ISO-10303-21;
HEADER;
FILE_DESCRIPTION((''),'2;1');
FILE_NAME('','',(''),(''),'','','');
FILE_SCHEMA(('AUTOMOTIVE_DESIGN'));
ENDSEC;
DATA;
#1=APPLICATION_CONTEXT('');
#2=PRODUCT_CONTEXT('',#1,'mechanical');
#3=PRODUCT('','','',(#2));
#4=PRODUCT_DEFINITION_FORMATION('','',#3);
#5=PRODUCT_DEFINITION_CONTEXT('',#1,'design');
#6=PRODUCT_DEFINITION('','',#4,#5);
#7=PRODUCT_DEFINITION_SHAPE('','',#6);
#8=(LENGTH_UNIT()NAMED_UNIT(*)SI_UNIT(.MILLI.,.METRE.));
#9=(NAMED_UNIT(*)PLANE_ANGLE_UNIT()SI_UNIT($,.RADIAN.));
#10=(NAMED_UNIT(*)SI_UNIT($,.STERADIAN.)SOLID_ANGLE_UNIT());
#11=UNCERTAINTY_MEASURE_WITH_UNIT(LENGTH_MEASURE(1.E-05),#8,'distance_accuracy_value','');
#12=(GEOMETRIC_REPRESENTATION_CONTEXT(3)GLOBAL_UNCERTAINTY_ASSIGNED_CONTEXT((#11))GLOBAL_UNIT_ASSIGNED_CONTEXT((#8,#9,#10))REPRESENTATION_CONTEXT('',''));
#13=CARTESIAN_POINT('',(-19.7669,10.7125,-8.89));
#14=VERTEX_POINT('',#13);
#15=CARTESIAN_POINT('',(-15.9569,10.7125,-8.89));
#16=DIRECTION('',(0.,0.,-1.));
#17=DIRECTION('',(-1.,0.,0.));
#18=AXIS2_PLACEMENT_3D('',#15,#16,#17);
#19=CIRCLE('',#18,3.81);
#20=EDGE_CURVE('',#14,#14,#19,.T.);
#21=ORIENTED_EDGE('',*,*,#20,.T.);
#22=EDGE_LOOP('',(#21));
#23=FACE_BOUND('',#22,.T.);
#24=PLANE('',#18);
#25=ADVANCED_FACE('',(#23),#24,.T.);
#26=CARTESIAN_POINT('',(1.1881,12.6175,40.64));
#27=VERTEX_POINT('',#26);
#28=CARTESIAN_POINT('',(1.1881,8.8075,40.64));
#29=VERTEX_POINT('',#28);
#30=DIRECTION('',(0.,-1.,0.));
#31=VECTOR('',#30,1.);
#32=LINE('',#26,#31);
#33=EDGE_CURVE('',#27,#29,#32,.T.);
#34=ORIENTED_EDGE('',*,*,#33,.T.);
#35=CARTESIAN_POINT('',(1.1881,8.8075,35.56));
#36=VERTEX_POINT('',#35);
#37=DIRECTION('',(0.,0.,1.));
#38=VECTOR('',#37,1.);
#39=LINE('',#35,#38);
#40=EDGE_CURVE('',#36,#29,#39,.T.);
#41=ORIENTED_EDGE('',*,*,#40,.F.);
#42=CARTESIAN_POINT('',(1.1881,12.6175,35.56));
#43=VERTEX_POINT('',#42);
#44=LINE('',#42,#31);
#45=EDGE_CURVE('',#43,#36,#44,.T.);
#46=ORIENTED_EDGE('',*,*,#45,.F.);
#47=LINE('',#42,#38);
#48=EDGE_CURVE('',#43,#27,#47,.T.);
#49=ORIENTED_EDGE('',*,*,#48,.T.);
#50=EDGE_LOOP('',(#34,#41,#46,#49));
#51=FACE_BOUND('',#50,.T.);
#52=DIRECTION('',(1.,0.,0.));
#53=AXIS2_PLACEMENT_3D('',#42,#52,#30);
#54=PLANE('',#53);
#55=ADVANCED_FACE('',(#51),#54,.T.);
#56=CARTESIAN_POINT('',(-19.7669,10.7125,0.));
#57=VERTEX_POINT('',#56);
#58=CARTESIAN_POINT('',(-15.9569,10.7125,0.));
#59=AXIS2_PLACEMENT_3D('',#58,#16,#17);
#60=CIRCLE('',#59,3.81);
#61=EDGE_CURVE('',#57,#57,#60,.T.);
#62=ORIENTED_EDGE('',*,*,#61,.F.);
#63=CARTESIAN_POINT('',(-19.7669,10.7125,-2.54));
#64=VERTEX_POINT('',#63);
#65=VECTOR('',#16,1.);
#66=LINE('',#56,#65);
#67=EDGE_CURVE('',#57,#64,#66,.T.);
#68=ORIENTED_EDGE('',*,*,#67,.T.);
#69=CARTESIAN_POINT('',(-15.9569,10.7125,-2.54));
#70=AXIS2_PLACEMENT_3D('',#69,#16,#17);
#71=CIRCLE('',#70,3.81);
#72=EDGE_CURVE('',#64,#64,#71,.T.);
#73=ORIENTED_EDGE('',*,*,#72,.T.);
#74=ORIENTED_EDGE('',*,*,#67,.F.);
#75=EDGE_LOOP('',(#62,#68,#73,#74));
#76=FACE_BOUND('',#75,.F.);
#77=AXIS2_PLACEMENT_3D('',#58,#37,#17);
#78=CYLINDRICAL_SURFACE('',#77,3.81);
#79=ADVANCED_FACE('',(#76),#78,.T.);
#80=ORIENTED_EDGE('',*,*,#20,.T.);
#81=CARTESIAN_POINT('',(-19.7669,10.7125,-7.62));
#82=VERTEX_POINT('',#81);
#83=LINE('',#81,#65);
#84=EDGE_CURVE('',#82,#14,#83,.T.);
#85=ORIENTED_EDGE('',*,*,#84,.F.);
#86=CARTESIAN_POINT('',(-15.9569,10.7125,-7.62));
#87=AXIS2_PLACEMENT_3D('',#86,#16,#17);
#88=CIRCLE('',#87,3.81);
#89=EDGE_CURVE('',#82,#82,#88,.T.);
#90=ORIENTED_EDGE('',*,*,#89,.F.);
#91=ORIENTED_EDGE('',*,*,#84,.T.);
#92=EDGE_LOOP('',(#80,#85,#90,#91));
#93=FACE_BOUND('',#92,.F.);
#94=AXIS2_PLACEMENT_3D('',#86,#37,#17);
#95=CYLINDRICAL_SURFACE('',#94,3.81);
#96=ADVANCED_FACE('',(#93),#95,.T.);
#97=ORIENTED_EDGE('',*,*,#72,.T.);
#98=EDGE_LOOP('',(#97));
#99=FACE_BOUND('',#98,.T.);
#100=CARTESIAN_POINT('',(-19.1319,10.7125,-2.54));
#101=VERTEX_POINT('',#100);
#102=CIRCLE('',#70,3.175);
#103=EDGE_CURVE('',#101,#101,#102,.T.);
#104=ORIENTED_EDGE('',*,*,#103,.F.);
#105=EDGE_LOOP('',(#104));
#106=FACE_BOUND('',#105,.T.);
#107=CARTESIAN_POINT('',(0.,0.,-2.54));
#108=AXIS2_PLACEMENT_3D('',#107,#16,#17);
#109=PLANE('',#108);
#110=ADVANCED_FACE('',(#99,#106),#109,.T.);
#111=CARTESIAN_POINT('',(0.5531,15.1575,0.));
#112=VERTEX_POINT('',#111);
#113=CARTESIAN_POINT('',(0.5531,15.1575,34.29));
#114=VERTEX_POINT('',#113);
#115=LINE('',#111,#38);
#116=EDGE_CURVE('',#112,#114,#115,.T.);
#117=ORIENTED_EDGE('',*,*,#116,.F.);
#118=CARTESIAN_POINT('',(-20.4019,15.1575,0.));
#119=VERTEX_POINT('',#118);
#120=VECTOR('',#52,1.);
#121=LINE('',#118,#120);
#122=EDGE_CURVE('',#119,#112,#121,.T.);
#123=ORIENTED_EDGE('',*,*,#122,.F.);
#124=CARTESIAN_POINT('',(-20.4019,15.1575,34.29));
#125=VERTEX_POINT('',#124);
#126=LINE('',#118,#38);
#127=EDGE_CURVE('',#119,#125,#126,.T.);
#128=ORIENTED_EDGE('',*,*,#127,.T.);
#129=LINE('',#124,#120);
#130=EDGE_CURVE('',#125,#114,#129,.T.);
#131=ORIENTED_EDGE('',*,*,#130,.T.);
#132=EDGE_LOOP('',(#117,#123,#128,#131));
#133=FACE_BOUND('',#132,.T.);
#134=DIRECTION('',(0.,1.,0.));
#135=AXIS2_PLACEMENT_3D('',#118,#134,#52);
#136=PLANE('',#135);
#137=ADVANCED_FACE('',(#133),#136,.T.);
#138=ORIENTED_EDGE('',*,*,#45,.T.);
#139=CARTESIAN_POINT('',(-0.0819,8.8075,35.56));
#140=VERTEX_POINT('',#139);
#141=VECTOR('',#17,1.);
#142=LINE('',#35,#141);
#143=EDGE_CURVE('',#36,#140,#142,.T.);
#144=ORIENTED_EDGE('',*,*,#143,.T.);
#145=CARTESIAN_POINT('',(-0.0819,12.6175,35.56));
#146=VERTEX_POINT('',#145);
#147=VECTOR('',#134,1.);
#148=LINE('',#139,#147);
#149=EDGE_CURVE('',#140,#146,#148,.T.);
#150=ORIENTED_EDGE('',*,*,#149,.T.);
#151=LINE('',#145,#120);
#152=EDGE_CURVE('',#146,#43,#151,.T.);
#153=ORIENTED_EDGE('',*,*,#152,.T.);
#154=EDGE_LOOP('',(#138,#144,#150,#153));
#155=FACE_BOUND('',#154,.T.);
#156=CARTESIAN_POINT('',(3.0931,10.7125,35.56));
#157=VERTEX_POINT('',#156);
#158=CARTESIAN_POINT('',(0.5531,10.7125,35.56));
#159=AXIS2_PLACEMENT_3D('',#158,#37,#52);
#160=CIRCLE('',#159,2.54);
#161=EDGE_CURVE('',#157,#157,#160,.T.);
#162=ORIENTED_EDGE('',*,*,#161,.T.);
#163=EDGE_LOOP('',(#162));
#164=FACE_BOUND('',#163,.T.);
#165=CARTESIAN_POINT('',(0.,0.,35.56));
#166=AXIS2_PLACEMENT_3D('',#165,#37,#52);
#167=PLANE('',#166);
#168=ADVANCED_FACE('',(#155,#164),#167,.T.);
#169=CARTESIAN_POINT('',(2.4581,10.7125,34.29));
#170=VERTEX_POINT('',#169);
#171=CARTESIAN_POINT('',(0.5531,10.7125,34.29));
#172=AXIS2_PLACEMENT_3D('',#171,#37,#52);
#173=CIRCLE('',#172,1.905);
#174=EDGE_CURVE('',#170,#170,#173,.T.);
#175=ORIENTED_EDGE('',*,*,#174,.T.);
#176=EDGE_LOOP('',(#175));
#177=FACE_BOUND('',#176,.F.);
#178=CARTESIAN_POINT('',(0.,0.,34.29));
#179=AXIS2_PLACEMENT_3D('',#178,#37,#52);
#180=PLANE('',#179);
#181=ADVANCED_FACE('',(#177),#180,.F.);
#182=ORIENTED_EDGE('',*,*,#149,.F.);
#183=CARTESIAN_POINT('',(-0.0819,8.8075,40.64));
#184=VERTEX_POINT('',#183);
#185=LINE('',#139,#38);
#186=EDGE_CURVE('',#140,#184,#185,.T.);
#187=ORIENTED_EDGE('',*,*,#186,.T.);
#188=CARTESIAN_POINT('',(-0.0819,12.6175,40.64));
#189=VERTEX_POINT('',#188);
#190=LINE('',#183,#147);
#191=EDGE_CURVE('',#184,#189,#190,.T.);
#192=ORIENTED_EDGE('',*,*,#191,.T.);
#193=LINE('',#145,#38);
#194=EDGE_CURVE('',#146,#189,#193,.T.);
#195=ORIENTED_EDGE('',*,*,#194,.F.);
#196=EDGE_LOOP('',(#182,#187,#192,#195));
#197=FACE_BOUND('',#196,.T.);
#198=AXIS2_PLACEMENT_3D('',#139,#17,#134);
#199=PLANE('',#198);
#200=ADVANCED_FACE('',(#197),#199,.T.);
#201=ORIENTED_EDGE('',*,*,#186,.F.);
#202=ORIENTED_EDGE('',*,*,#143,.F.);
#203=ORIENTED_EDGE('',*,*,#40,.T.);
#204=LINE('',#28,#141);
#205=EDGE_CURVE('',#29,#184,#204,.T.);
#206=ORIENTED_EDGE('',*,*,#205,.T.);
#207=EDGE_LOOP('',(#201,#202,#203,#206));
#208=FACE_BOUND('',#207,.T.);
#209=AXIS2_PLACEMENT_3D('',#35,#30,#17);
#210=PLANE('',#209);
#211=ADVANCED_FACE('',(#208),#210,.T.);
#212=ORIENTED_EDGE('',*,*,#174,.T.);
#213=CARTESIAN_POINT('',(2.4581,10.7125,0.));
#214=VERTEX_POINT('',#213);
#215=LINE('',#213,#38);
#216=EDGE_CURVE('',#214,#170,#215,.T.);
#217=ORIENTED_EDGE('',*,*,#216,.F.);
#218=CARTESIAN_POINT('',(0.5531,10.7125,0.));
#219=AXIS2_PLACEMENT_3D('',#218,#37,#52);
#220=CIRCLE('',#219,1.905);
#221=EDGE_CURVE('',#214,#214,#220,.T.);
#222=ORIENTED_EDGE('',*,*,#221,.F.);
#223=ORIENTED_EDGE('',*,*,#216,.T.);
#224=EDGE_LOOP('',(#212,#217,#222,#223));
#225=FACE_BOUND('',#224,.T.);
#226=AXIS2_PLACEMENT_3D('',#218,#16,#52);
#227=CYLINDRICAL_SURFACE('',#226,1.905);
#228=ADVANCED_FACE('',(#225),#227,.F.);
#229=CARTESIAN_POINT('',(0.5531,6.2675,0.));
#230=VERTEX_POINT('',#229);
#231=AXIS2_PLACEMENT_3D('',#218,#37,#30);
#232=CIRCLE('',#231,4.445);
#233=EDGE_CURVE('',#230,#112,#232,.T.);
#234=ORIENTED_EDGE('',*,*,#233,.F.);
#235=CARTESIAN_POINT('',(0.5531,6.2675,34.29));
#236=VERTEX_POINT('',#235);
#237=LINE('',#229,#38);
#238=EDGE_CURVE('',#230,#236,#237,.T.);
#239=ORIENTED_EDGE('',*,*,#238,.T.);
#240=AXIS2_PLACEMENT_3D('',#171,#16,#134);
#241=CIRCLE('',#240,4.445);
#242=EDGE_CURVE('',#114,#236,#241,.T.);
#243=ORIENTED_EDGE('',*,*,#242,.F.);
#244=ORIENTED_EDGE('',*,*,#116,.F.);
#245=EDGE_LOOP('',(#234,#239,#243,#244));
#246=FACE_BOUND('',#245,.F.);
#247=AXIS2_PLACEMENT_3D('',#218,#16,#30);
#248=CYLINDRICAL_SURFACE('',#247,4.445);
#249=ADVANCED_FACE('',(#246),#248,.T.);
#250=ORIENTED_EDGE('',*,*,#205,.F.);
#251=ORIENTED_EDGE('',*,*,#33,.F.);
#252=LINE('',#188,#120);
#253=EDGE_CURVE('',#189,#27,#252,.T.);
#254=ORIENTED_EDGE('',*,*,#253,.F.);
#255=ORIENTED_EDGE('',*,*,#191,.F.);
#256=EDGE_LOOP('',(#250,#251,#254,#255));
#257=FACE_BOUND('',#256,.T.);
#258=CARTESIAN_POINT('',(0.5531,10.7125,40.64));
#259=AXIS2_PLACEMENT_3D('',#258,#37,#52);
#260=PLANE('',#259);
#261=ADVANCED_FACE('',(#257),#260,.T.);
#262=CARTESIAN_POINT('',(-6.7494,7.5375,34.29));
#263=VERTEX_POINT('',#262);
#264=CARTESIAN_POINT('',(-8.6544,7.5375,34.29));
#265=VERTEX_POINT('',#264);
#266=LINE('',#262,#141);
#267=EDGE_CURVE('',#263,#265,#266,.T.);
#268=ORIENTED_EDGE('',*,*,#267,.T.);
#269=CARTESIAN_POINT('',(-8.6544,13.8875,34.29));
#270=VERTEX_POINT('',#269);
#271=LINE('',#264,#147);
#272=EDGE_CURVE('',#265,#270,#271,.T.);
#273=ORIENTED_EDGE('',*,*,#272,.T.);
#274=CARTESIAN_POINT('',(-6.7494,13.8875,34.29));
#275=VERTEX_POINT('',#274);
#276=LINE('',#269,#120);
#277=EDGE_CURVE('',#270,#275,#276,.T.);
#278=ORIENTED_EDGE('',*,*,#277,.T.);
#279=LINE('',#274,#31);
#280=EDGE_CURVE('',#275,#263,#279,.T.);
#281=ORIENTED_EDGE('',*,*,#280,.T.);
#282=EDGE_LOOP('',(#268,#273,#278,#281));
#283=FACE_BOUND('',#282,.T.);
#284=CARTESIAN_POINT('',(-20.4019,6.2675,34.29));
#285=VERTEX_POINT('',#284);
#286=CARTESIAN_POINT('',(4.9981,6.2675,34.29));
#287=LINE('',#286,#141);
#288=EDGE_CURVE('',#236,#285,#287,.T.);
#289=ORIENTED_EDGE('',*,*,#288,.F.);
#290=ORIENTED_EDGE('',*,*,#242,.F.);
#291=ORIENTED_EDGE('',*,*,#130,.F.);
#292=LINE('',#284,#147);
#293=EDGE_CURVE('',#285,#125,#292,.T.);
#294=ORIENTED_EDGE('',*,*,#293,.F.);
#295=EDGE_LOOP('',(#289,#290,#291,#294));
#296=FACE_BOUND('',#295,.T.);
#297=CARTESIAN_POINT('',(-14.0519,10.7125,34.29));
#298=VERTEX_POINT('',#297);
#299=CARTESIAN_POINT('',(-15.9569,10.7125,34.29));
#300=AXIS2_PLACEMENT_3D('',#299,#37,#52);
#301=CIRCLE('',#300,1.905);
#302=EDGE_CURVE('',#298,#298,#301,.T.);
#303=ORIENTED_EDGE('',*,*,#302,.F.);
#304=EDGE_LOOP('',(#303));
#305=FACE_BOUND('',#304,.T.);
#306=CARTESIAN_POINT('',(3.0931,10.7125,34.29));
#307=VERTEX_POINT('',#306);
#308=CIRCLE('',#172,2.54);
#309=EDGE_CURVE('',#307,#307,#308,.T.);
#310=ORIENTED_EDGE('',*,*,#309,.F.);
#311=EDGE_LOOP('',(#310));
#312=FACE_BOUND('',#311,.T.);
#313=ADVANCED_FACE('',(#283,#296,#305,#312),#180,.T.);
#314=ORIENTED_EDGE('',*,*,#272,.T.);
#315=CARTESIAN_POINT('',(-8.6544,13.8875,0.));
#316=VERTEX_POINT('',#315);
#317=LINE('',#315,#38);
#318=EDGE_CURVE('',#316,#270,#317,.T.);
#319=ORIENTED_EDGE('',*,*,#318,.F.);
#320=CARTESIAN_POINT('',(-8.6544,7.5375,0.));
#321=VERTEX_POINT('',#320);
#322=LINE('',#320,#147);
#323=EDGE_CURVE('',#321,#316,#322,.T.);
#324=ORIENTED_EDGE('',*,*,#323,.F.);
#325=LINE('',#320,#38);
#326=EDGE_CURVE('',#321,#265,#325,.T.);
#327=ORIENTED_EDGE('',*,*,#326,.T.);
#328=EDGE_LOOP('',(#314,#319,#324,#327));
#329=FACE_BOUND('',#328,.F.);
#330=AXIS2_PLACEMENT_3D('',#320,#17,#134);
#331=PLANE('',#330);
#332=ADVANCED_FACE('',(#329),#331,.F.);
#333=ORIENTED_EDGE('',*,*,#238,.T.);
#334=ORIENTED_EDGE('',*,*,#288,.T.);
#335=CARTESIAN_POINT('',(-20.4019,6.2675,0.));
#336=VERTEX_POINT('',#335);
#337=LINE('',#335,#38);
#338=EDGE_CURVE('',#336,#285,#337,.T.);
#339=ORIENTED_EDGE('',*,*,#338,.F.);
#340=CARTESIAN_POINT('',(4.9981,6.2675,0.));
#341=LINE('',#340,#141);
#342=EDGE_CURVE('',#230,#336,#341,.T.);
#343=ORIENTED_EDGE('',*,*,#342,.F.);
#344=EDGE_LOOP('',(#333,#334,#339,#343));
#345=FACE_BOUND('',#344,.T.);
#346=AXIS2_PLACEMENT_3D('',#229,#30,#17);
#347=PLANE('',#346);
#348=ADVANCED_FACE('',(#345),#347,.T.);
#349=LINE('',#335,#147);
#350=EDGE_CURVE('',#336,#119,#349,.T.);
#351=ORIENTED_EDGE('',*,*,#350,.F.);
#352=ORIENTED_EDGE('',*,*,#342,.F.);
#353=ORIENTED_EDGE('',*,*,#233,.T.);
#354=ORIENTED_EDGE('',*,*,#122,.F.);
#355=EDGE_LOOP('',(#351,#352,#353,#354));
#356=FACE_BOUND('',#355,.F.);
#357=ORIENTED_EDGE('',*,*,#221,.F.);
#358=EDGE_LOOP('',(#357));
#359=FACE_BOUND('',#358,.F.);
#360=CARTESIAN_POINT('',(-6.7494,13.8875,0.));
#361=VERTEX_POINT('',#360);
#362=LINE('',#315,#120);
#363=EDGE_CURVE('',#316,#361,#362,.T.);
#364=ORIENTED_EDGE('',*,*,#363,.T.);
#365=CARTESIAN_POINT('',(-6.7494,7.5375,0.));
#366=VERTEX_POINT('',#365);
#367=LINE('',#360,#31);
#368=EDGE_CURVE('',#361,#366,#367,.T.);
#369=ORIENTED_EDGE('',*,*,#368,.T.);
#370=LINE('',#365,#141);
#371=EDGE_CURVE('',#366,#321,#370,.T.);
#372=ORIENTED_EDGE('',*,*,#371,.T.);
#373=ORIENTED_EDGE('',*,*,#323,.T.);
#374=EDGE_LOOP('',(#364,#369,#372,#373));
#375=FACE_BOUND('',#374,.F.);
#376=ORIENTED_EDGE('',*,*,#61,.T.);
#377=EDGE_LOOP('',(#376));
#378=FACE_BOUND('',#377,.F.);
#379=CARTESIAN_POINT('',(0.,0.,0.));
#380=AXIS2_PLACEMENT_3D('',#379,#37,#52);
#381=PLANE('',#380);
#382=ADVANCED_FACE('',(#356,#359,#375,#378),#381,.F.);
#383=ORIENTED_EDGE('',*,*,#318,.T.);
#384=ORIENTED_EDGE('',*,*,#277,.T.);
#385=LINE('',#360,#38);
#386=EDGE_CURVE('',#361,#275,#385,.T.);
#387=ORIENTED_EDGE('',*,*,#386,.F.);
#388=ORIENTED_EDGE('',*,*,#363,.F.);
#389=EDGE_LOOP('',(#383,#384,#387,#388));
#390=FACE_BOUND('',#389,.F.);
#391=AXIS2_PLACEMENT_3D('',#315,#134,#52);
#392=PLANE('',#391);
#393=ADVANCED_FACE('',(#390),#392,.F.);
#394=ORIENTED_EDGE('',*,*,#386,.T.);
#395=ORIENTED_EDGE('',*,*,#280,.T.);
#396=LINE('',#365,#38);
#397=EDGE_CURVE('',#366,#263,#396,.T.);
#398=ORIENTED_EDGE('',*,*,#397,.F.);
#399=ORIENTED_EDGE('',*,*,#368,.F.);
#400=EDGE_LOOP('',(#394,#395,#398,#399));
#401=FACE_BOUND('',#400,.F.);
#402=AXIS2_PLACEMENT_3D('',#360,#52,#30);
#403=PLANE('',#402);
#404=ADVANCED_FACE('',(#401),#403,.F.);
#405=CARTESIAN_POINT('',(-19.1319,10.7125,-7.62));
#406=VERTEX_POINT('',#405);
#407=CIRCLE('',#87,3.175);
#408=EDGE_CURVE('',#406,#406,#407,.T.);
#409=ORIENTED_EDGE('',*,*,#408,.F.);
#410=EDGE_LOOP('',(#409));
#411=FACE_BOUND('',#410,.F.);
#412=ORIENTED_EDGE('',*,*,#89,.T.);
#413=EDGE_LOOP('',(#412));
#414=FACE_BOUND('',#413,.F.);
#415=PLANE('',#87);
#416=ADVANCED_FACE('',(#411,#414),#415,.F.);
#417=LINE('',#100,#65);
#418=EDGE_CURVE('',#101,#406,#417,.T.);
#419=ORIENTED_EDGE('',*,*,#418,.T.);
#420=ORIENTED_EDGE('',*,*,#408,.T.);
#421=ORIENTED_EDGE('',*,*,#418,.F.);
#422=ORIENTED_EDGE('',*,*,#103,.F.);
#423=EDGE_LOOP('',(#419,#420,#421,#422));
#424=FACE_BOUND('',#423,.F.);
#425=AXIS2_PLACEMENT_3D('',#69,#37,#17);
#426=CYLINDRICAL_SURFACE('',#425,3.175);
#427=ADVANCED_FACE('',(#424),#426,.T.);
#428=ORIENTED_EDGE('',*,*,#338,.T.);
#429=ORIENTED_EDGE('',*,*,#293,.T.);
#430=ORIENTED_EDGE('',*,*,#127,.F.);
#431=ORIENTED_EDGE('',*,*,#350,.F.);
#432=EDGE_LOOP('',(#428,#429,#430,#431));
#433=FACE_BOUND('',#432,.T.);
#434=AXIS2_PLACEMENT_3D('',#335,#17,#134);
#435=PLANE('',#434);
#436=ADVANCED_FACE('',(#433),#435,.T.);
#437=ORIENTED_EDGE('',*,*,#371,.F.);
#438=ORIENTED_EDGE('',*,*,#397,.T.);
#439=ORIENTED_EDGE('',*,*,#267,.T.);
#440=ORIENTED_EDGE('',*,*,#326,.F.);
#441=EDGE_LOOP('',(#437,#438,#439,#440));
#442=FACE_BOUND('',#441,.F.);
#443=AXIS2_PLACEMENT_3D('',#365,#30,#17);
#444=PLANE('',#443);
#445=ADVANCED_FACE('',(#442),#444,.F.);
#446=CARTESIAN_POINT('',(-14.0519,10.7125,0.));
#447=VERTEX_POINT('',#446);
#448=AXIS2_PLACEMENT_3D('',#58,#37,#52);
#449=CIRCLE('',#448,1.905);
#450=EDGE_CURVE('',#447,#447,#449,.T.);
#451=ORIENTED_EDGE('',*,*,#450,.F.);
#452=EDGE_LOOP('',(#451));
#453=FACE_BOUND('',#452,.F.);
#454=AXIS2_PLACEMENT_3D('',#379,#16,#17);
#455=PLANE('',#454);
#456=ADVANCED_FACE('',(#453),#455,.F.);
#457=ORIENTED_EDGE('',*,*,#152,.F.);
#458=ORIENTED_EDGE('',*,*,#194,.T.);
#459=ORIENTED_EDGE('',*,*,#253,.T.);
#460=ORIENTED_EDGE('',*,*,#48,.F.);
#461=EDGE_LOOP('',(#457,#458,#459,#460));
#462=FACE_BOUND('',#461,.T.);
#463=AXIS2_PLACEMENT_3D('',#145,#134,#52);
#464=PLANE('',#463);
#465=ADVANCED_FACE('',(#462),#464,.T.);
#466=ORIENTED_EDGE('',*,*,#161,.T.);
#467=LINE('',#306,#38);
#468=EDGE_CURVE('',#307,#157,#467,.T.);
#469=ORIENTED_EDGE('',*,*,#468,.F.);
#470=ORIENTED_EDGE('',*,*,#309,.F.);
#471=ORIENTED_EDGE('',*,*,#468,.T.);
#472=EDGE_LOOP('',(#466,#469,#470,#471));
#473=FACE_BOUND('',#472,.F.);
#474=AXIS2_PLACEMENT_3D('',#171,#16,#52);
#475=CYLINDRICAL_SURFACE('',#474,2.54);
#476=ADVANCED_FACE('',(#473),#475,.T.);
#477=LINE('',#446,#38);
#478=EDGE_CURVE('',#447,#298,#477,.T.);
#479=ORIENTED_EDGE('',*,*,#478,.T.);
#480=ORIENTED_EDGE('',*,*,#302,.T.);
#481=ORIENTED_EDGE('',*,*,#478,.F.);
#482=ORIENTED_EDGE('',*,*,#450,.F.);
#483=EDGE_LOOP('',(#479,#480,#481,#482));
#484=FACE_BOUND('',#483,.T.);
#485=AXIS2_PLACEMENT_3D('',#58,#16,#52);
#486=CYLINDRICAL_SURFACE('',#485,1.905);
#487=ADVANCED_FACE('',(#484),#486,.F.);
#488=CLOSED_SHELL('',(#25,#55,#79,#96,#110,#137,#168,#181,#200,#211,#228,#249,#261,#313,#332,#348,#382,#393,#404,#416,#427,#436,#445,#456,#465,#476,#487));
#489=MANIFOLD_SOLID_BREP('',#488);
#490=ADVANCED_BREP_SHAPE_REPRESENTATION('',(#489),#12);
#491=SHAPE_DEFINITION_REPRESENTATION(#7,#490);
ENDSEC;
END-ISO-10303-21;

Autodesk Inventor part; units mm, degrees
ref_plane "YZ Plane" through (0, 0, 0) normal (1, 0, 0) x (0, 1, 0)
ref_plane "XZ Plane" through (0, 0, 0) normal (0, 1, 0) x (-1, 0, 0)
ref_plane "XY Plane" through (0, 0, 0) normal (0, 0, 1) x (1, 0, 0)
sketch "Sketch1" plane through (0, 0, 0) normal (0, 0, 1) x (1, 0, 0)
  line L0 (-20.4019, 15.1575) -> (4.9981, 15.1575)
  line L1 (4.9981, 15.1575) -> (4.9981, 6.2675)
  line L2 (4.9981, 6.2675) -> (-20.4019, 6.2675)
  line L3 (-20.4019, 6.2675) -> (-20.4019, 15.1575)
  arc A0 (0.5531, 6.2675) -> (0.5531, 15.1575) centre (0.5531, 10.7125) ccw
  circle A1 centre (-15.9569, 10.7125) radius 1.905
  circle A2 centre (0.5531, 10.7125) radius 1.905
  line L4 (-8.6544, 13.8875) -> (-6.7494, 13.8875)
  line L5 (-6.7494, 13.8875) -> (-6.7494, 7.5375)
  line L6 (-6.7494, 7.5375) -> (-8.6544, 7.5375)
  line L7 (-8.6544, 7.5375) -> (-8.6544, 13.8875)
  point P0 (0, 0)
  dimension "d0" = 25.4
  dimension "d1" = 8.89
  dimension "d2" = 0
  dimension "d3" = 0
  dimension "d4" = 3.81
  dimension "d5" = 3.81
  dimension "d6" = 0
  dimension "d7" = 4.445
  dimension "d8" = 4.445
  dimension "d9" = 7.3025
  dimension "d12" = 1.905
  dimension "d13" = 6.35
extrude "Extrusion1" add sketch "Sketch1" along normal blind 34.29 contours L0 A0 L2 L3
sketch "Sketch2" plane through (0, 0, 0) normal (0, 0, -1) x (-1, 0, 0)
  circle A0 centre (15.9569, 10.7125) radius 1.905 projected
  circle A1 centre (15.9569, 10.7125) radius 1.905
  circle A2 centre (15.9569, 10.7125) radius 3.81
  point P0 (0, 0)
  dimension "d19" = 7.62
extrude "Extrusion2" add sketch "Sketch2" along normal blind 2.54 contours A0 | A2
sketch "Sketch3" plane through (-15.9569, 10.7125, -2.54) normal (0, 0, -1) x (-1, 0, 0)
  circle A0 centre (0, 0) radius 3.81 projected
  circle A1 centre (0, 0) radius 3.175
  point P0 (-15.9569, -10.7125)
  dimension "d22" = 6.35
extrude "Extrusion3" add sketch "Sketch3" along normal blind 5.08 contours A1
sketch "Sketch4" plane through (-15.9569, 10.7125, -7.62) normal (0, 0, -1) x (-1, 0, 0)
  circle A0 centre (0, 0) radius 3.81 projected
  circle A1 centre (0, 0) radius 3.81
  point P0 (-15.9569, -10.7125)
extrude "Extrusion4" add sketch "Sketch4" along normal blind 1.27
sketch "Sketch5" plane through (0, 0, 34.29) normal (0, 0, 1) x (1, 0, 0)
  arc A0 (0.5531, 6.2675) -> (0.5531, 15.1575) centre (0.5531, 10.7125) ccw projected
  circle A1 centre (0.5531, 10.7125) radius 2.54
  point P0 (0, 0)
  dimension "d27" = 5.08
extrude "Extrusion5" add sketch "Sketch5" along normal blind 1.27
sketch "Sketch6" plane through (0.5531, 10.7125, 35.56) normal (0, 0, 1) x (1, 0, 0)
  circle A0 centre (0, 0) radius 2.54 projected
  line L0 (-0.635, 1.905) -> (0.635, 1.905)
  line L1 (0.635, 1.905) -> (0.635, -1.905)
  line L2 (0.635, -1.905) -> (-0.635, -1.905)
  line L3 (-0.635, -1.905) -> (-0.635, 1.905)
  point P0 (-0.5531, -10.7125)
  dimension "d30" = 3.81
  dimension "d31" = 1.27
  dimension "d32" = 0.635
  dimension "d33" = 1.905
extrude "Extrusion6" add sketch "Sketch6" along normal blind 5.08 contours L0 L1 L2 L3
properties part number "Vacuum Valve 1764"
